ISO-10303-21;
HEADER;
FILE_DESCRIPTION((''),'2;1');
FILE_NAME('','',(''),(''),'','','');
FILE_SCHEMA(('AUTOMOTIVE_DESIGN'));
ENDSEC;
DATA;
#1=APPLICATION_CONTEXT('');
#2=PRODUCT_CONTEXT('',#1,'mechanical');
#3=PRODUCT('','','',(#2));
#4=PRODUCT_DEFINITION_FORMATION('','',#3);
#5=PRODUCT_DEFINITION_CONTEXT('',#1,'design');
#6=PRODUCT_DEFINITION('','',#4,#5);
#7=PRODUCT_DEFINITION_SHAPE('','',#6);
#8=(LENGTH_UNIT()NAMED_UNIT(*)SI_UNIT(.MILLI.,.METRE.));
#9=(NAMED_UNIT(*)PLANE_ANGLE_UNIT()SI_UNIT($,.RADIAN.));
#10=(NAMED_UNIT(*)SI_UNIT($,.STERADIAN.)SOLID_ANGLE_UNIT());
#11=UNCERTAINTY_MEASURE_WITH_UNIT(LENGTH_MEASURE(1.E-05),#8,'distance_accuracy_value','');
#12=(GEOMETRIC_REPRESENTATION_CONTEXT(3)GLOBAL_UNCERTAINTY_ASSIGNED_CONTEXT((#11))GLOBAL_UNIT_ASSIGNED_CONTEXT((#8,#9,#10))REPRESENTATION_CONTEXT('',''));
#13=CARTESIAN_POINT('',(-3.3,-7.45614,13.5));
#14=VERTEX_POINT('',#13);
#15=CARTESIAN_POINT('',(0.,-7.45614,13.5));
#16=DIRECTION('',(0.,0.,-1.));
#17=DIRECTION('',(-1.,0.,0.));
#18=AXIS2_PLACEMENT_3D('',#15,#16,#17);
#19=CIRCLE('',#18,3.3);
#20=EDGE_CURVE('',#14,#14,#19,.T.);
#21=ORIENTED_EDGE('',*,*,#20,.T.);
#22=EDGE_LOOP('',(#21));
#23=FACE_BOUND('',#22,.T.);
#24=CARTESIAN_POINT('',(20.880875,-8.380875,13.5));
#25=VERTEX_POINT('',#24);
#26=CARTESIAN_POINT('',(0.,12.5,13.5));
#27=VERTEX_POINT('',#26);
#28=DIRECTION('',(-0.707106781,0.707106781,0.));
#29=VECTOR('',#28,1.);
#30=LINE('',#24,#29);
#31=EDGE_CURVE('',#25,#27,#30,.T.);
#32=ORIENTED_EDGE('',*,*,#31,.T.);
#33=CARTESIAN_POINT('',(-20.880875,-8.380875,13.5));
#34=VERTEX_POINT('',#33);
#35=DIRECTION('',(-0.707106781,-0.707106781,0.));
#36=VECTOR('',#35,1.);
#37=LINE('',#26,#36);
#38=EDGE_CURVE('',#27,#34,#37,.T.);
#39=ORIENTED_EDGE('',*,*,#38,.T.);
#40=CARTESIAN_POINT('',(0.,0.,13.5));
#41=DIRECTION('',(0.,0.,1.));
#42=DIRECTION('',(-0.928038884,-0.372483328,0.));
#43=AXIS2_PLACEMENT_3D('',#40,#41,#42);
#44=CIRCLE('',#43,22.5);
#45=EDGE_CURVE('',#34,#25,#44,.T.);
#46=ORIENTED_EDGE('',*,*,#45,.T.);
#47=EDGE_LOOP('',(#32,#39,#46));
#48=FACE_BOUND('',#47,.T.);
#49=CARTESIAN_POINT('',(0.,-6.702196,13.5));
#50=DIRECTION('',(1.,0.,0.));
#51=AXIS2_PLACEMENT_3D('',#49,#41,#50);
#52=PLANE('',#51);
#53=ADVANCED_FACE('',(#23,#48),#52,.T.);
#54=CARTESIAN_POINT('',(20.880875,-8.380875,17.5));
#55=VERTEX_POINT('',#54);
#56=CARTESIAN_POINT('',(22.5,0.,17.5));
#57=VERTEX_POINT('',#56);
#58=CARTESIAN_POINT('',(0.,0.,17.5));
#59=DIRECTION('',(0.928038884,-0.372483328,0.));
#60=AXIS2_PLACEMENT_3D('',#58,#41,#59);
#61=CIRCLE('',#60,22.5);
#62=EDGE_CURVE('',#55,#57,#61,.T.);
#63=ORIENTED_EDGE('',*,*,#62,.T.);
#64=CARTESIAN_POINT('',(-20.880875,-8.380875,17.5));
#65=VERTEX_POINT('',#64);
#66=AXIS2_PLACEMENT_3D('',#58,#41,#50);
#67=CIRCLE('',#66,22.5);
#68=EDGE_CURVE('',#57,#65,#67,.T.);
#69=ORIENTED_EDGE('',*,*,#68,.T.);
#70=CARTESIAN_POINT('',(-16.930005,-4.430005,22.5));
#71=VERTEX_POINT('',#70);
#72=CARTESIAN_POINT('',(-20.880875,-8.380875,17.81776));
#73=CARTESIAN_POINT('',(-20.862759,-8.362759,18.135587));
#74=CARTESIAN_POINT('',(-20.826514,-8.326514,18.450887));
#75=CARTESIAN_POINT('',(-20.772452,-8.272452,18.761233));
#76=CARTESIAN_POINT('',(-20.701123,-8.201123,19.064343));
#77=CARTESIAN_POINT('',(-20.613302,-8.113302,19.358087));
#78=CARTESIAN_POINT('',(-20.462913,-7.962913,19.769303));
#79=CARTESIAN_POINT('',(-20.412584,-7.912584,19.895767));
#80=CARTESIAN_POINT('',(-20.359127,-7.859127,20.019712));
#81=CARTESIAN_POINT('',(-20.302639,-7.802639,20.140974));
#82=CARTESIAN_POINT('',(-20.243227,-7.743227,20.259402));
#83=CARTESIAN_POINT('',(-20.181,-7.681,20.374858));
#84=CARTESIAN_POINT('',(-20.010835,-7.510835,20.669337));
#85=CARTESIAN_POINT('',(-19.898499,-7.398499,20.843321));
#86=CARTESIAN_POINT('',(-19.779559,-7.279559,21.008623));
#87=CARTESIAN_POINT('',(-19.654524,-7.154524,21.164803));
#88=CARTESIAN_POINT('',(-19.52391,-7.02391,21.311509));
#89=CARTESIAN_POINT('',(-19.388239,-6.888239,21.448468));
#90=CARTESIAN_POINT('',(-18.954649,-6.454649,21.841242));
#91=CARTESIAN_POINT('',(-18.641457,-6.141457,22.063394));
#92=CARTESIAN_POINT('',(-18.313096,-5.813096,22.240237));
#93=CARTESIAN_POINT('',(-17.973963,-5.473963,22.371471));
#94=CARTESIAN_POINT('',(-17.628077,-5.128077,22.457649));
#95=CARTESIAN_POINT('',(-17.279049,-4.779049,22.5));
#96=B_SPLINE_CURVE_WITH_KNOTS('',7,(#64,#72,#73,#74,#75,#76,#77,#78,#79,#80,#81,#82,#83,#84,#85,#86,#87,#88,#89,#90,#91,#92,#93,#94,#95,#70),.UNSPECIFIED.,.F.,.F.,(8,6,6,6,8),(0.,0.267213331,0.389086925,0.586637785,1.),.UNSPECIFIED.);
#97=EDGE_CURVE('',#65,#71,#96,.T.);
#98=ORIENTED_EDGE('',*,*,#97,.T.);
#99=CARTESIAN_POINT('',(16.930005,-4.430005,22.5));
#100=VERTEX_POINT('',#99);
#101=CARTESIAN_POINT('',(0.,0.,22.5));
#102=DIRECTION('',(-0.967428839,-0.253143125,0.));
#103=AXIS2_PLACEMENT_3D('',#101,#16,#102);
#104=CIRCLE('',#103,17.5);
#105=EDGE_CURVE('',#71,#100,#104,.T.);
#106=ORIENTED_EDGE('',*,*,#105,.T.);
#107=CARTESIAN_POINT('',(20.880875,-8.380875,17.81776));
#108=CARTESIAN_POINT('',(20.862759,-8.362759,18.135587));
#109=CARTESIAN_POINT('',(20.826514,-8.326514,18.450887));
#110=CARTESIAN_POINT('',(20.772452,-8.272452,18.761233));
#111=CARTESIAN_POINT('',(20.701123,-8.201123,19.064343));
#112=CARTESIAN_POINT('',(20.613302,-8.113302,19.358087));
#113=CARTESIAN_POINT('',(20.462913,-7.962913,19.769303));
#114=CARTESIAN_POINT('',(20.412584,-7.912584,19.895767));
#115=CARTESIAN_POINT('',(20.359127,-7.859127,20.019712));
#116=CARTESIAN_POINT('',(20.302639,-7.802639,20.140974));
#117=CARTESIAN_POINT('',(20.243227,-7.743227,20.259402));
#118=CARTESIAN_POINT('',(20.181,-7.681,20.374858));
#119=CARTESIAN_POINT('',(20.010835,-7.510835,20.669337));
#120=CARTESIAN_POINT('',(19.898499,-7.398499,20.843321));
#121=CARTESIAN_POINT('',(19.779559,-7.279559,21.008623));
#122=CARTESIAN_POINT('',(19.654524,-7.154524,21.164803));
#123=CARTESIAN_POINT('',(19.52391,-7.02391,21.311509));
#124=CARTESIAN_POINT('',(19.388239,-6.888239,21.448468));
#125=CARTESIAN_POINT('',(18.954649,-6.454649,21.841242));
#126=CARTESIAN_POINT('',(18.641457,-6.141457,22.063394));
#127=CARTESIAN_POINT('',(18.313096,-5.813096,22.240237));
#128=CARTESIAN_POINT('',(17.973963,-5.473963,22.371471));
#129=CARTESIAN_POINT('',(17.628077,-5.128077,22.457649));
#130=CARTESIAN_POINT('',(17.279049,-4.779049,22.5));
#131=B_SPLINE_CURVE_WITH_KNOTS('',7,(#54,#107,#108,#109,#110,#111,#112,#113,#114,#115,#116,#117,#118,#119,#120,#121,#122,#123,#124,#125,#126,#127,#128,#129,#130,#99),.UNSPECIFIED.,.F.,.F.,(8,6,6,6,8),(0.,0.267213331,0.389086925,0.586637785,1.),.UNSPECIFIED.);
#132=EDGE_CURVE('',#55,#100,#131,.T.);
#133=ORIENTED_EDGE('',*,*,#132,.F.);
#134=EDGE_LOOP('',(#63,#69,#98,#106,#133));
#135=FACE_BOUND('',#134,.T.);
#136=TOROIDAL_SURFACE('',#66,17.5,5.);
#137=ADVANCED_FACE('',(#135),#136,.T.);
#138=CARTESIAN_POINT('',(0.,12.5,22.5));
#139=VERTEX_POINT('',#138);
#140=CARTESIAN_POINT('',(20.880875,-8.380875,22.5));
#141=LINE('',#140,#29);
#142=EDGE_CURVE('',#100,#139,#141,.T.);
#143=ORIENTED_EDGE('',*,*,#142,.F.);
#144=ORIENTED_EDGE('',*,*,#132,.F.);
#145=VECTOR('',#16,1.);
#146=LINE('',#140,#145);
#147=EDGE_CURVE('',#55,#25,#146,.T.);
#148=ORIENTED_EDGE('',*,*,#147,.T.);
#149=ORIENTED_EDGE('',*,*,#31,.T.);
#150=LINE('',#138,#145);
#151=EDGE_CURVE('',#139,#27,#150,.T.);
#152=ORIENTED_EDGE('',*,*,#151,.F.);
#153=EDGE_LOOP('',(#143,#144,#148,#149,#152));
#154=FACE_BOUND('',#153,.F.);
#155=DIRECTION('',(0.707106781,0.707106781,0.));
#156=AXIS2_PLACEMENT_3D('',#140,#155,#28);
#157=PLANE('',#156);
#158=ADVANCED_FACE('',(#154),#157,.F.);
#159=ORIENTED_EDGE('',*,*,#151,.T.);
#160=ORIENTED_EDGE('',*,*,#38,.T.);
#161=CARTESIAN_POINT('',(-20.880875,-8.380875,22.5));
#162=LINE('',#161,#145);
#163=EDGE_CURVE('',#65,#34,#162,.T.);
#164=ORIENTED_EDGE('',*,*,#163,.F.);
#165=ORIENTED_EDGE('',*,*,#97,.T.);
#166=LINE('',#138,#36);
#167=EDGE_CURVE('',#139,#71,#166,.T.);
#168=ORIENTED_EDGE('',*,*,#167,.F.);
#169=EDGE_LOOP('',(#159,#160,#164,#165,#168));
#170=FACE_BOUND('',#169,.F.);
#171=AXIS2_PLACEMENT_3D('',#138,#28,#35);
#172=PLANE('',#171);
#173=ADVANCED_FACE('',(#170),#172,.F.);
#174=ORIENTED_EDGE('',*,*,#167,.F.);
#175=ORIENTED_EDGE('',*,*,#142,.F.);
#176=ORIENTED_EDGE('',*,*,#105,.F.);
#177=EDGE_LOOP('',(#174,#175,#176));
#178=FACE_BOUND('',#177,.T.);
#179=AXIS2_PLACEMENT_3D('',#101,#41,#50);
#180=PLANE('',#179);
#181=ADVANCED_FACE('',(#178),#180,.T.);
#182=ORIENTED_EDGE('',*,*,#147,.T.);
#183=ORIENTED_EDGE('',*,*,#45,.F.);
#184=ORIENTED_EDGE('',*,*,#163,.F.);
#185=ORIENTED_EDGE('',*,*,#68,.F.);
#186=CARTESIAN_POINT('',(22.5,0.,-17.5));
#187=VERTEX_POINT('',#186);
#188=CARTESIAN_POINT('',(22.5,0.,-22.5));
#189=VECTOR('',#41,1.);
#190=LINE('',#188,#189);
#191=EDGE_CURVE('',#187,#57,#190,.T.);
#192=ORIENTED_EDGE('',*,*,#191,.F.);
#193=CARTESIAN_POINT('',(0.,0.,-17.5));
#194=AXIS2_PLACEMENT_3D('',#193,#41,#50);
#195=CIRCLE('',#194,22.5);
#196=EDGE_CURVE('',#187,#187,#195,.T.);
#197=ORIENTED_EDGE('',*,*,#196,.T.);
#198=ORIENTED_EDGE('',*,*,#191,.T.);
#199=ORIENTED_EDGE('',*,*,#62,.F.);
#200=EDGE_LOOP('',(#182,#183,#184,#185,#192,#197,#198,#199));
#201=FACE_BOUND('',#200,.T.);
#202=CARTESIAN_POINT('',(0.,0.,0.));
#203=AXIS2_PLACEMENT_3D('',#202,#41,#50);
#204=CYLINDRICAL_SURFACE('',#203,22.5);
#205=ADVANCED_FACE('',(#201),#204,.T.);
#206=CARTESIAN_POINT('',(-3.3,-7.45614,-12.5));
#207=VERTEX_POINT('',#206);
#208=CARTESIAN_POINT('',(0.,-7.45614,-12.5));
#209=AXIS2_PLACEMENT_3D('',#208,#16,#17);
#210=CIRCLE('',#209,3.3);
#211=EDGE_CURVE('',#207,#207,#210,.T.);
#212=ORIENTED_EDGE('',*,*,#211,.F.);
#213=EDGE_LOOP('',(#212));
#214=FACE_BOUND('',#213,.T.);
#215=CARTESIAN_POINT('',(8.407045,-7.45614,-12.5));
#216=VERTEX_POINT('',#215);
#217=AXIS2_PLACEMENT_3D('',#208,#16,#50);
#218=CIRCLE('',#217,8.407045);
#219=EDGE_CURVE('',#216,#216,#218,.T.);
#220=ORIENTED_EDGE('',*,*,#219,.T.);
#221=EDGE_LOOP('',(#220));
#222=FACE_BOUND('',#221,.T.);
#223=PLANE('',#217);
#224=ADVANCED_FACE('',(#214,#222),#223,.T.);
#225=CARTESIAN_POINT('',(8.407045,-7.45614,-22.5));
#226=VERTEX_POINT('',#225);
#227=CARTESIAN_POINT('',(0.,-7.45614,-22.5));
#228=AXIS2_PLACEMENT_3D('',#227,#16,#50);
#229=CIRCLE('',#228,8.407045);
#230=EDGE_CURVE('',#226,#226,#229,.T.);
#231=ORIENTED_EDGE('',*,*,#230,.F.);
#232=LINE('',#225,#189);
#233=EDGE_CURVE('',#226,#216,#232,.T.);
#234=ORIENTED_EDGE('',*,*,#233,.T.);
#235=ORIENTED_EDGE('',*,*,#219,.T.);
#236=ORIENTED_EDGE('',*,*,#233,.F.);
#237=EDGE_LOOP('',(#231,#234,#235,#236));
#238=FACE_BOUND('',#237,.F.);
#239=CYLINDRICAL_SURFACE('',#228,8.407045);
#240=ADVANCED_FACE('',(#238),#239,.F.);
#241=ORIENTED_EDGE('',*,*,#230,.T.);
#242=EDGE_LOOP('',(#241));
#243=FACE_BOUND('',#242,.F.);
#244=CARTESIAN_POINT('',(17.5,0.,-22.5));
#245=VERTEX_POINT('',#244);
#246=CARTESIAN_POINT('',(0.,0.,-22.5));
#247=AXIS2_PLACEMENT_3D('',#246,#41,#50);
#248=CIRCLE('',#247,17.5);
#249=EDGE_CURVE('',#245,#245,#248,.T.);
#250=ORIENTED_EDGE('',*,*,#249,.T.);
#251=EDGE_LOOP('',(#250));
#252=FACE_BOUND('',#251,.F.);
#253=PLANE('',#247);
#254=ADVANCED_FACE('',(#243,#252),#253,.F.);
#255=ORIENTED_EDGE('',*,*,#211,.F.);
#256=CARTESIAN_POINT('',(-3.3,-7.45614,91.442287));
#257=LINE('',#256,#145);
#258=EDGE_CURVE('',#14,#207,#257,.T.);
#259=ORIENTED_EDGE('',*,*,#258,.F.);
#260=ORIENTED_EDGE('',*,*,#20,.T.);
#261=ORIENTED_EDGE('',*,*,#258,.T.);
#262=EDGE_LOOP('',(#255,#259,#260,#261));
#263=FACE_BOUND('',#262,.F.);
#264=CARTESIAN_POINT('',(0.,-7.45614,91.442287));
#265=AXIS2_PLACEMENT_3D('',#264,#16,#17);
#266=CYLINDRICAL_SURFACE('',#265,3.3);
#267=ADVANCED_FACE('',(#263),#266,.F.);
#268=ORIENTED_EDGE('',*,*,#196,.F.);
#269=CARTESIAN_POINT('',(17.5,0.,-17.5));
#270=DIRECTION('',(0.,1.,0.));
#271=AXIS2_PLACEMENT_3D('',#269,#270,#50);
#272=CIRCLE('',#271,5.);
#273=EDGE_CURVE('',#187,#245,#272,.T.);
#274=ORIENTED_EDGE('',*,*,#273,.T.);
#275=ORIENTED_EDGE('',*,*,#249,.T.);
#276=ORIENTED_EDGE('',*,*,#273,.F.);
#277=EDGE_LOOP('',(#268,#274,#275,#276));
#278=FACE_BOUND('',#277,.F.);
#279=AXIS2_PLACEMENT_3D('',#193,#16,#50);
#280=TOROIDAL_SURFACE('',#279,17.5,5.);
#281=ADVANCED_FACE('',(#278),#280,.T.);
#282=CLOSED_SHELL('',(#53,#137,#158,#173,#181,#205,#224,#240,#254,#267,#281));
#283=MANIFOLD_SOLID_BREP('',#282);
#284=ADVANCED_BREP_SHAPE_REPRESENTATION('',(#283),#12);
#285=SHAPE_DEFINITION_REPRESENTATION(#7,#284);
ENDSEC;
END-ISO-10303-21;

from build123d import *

# Parameters (mm, degrees)
F0_R     = 22.5
F1_DEPTH = 22.5
F3_DEPTH = 9
F4_R     = 5
F5_R     = 5
F7_D     = 6.6
F8_R     = 8.4070446973
F8_R_2   = 3.3
F9_DEPTH = 10


with BuildPart() as f1:
    # F0 (on Top) → F1 (new body, symmetric)
    with BuildSketch(Plane.XY):
        Circle(F0_R)
    extrude(amount=F1_DEPTH, both=True)

    # F2 (on face) → F3 (cut)
    with BuildSketch(Plane.XY.offset(22.5)):
        with BuildLine():
            Line((20.8808748884, -8.3808748884), (0, 12.5))
            Line((0, 12.5), (-20.8808748884, -8.3808748884))
            ThreePointArc((-20.8808748884, -8.3808748884), (0, -22.5), (20.8808748884, -8.3808748884))
        make_face()
    extrude(amount=-F3_DEPTH, mode=Mode.SUBTRACT)

    # F4
    f4_edges = [f1.edges().sort_by_distance(p)[0] for p in [
        (-22.5, 0, -22.5),
    ]]
    fillet(f4_edges, radius=F4_R)

    # F5
    f5_edges = [f1.edges().sort_by_distance(p)[0] for p in [
        (-4.267922, 22.091511, 22.5),
    ]]
    fillet(f5_edges, radius=F5_R)

    # F7 (through all)
    with Locations(Plane.XY.offset(13.5)):
        with Locations((0, -7.456140127)):
            Hole(F7_D / 2)

    # F8 (on face) → F9 (cut)
    with BuildSketch(Plane(origin=(0, 0, -22.5), x_dir=(1, 0, 0), z_dir=(0, 0, -1))):
        with Locations((0, 7.456140127)):
            Circle(F8_R)
        with Locations((0, 7.456140127)):
            Circle(F8_R_2, mode=Mode.SUBTRACT)
    extrude(amount=-F9_DEPTH, mode=Mode.SUBTRACT)


solid = f1.part
